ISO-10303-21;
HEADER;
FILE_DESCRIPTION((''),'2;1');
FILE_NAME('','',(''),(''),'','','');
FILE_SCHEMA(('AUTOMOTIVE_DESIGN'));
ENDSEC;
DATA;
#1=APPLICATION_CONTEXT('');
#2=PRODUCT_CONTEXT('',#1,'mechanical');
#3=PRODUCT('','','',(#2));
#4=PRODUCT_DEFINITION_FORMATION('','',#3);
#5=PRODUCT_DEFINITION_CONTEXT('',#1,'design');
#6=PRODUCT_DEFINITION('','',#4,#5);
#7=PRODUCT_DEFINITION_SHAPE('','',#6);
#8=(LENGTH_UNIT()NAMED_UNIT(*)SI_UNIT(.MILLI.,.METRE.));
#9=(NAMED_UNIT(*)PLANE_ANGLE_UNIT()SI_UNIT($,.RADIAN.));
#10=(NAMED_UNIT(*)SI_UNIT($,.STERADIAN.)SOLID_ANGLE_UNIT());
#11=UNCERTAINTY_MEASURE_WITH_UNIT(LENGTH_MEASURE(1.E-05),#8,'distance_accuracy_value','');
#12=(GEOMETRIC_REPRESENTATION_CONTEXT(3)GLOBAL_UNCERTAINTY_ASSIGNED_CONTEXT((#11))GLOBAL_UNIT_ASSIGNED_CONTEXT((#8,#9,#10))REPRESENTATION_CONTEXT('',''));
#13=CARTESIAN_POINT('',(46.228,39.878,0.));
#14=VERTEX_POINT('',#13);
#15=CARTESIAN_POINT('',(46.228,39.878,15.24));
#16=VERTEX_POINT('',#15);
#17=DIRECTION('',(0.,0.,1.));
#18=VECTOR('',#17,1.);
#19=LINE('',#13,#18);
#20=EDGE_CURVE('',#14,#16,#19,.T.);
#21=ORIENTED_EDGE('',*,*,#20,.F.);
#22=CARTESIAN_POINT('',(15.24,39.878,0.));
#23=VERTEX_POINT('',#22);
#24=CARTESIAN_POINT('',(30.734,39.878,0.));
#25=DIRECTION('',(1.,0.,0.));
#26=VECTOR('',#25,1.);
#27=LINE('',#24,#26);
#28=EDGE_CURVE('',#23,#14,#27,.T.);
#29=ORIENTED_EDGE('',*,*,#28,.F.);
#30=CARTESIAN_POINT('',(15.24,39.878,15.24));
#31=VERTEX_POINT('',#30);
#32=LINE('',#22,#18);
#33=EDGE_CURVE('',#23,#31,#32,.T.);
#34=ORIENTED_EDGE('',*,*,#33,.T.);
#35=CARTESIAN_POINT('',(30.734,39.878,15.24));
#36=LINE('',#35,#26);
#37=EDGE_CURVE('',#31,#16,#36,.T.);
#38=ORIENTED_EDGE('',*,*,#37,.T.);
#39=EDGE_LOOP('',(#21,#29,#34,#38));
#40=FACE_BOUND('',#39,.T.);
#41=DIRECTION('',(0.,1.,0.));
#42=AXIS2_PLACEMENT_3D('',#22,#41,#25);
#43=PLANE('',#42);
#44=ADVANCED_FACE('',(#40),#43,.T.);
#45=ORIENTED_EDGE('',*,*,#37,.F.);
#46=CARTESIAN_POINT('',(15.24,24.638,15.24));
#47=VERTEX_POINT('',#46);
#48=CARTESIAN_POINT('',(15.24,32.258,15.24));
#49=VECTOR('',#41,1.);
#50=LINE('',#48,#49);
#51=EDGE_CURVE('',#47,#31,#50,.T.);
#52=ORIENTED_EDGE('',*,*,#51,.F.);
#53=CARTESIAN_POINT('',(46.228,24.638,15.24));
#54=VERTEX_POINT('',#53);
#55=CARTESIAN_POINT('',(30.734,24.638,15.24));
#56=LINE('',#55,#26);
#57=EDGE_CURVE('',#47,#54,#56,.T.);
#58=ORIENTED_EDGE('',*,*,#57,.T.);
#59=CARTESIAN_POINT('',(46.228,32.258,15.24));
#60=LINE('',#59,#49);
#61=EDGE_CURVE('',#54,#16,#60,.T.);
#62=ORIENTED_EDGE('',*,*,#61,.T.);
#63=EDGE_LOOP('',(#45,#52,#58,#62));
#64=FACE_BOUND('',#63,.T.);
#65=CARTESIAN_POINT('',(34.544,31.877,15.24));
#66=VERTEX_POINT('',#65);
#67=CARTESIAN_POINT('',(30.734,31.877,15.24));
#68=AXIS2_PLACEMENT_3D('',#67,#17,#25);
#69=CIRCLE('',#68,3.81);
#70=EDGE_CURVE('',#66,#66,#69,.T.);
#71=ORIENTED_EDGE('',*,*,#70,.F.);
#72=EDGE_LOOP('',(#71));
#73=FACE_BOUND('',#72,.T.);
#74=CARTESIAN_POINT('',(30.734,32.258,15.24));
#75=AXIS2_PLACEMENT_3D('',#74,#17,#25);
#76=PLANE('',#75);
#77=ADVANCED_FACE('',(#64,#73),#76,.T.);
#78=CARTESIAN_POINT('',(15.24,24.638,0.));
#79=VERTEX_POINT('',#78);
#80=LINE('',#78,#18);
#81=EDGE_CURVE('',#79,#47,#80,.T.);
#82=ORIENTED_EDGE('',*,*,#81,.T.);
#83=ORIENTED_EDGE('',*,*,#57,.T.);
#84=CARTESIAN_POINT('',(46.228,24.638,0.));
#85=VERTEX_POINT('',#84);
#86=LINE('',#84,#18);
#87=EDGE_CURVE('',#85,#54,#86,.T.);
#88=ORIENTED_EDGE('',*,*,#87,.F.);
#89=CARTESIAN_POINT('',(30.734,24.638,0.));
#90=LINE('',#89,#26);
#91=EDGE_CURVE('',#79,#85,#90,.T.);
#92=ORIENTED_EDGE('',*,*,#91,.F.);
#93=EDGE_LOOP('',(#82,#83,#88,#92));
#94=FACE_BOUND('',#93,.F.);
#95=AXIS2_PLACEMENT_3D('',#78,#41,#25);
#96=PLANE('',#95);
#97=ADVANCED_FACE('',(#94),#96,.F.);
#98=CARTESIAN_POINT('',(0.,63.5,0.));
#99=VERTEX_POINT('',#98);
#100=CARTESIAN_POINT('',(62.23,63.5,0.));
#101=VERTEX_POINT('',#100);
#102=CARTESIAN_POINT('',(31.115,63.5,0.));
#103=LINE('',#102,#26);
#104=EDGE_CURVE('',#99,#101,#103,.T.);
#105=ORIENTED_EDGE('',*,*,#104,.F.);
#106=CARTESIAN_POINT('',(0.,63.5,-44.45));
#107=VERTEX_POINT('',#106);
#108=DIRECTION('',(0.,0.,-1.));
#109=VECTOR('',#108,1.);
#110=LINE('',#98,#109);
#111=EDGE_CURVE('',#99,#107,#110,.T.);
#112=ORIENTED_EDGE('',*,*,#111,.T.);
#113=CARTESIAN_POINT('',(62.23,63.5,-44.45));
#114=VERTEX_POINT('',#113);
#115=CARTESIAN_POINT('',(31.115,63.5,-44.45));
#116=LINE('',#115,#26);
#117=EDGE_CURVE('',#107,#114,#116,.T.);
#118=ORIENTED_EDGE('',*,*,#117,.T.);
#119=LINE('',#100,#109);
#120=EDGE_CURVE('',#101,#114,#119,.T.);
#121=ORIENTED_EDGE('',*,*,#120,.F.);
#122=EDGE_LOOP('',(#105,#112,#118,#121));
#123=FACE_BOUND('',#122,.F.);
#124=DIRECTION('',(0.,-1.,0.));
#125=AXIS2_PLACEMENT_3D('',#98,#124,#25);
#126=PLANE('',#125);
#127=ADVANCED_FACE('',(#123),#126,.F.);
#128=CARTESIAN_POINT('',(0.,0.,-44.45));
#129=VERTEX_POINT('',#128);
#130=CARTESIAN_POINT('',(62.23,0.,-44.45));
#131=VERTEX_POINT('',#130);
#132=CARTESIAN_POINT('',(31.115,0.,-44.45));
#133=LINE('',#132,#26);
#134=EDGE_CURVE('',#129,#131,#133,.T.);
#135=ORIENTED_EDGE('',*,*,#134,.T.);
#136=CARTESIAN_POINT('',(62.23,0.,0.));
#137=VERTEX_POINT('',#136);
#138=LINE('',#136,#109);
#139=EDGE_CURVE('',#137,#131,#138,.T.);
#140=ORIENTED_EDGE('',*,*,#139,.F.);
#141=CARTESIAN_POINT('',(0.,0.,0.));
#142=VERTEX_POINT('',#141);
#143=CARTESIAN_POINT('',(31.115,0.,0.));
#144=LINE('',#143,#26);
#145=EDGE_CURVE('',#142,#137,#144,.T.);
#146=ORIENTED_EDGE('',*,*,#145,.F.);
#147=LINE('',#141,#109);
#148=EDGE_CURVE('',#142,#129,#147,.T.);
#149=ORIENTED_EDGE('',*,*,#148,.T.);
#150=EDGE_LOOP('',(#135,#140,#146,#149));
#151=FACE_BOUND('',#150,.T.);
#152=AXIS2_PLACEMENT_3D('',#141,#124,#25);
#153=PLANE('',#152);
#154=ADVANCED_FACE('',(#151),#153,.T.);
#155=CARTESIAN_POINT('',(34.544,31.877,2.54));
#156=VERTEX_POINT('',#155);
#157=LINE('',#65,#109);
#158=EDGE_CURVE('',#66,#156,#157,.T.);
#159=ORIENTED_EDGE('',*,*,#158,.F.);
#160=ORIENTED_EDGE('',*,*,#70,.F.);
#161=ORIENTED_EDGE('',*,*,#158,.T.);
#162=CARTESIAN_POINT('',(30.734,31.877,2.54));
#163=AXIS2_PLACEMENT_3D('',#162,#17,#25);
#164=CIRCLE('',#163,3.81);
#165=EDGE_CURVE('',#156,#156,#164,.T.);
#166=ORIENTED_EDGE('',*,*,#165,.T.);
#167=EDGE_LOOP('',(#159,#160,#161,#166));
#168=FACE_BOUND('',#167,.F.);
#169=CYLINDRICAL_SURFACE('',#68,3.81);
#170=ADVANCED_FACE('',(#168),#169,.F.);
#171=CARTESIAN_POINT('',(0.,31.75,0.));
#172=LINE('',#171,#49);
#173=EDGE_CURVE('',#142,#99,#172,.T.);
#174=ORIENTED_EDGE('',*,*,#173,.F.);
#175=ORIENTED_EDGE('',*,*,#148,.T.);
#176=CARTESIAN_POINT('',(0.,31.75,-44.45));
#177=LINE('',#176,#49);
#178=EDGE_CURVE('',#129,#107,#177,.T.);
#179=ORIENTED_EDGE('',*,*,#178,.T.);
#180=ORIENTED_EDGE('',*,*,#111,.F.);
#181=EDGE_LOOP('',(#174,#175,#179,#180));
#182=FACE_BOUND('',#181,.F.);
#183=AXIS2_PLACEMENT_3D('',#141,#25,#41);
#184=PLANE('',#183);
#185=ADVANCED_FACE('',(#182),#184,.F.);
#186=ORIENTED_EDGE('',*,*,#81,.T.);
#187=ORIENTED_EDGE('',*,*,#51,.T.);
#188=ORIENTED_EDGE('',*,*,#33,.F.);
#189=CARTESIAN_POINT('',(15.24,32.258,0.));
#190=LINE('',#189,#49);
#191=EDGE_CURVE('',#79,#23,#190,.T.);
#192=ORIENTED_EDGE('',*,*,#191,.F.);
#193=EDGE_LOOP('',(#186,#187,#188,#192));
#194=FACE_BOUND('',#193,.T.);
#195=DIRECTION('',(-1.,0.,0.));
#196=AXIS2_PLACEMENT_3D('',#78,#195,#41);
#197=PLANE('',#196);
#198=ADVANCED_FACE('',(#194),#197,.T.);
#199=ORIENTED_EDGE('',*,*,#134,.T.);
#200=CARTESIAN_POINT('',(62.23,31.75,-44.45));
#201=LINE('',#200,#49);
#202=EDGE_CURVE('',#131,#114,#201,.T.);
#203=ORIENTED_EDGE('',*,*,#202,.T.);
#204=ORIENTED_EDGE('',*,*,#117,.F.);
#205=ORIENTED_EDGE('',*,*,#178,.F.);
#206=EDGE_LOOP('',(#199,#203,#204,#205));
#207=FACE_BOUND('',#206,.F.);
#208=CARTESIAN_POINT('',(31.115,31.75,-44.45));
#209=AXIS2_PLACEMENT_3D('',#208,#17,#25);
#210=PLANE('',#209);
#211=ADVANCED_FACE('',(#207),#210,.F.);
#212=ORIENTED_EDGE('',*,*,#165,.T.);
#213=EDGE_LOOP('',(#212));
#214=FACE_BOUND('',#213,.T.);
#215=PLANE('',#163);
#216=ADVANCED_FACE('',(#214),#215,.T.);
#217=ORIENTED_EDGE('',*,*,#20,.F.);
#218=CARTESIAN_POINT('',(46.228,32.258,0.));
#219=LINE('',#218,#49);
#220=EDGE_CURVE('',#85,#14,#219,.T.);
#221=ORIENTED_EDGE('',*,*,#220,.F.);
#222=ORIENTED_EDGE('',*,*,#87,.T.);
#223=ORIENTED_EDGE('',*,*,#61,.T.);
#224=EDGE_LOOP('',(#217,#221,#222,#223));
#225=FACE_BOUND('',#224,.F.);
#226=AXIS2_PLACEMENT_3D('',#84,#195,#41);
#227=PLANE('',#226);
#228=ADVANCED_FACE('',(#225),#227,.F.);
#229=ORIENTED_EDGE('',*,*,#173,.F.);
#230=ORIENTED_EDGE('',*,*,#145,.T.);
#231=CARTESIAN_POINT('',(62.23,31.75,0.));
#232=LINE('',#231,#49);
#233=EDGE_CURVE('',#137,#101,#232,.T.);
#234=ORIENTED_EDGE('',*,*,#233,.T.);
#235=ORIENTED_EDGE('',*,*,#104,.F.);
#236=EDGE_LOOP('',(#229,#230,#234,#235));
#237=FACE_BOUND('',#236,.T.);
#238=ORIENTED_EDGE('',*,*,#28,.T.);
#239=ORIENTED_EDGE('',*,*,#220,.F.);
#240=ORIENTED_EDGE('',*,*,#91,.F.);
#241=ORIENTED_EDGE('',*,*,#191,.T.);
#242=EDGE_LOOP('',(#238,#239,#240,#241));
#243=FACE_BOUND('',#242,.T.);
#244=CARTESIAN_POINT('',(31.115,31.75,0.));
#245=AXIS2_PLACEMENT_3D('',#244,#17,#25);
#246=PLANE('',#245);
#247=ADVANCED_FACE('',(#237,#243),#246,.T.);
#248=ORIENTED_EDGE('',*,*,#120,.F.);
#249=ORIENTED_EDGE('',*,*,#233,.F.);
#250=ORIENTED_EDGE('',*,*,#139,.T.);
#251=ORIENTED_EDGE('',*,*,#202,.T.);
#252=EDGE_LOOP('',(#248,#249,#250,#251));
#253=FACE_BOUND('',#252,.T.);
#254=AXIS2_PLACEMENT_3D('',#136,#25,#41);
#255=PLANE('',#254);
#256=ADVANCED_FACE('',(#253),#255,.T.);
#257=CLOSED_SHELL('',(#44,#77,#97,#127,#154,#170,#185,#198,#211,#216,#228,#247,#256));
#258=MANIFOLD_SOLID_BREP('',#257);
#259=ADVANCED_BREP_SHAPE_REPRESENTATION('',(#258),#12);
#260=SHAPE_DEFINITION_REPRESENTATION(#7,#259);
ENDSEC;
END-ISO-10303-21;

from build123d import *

# Parameters (mm, degrees)
F0_W     = 62.23
F0_H     = 63.5
F1_DEPTH = 44.45
F2_W     = 30.988
F2_H     = 15.24
F3_DEPTH = 15.24
F4_R     = 3.81
F5_DEPTH = 12.7


with BuildPart() as f1:
    # F0 (on Top) → F1 (new body)
    with BuildSketch(Plane.XY):
        with Locations((31.115, 31.75)):
            Rectangle(F0_W, F0_H)
    extrude(amount=-F1_DEPTH)

    # F2 (on face) → F3 (join)
    with BuildSketch(Plane.XY):
        with Locations((30.734, 32.258)):
            Rectangle(F2_W, F2_H)
    extrude(amount=F3_DEPTH)

    # F4 (on face) → F5 (cut)
    with BuildSketch(Plane.XY.offset(15.24)):
        with Locations((30.734, 31.877)):
            Circle(F4_R)
    extrude(amount=-F5_DEPTH, mode=Mode.SUBTRACT)


solid = f1.part
